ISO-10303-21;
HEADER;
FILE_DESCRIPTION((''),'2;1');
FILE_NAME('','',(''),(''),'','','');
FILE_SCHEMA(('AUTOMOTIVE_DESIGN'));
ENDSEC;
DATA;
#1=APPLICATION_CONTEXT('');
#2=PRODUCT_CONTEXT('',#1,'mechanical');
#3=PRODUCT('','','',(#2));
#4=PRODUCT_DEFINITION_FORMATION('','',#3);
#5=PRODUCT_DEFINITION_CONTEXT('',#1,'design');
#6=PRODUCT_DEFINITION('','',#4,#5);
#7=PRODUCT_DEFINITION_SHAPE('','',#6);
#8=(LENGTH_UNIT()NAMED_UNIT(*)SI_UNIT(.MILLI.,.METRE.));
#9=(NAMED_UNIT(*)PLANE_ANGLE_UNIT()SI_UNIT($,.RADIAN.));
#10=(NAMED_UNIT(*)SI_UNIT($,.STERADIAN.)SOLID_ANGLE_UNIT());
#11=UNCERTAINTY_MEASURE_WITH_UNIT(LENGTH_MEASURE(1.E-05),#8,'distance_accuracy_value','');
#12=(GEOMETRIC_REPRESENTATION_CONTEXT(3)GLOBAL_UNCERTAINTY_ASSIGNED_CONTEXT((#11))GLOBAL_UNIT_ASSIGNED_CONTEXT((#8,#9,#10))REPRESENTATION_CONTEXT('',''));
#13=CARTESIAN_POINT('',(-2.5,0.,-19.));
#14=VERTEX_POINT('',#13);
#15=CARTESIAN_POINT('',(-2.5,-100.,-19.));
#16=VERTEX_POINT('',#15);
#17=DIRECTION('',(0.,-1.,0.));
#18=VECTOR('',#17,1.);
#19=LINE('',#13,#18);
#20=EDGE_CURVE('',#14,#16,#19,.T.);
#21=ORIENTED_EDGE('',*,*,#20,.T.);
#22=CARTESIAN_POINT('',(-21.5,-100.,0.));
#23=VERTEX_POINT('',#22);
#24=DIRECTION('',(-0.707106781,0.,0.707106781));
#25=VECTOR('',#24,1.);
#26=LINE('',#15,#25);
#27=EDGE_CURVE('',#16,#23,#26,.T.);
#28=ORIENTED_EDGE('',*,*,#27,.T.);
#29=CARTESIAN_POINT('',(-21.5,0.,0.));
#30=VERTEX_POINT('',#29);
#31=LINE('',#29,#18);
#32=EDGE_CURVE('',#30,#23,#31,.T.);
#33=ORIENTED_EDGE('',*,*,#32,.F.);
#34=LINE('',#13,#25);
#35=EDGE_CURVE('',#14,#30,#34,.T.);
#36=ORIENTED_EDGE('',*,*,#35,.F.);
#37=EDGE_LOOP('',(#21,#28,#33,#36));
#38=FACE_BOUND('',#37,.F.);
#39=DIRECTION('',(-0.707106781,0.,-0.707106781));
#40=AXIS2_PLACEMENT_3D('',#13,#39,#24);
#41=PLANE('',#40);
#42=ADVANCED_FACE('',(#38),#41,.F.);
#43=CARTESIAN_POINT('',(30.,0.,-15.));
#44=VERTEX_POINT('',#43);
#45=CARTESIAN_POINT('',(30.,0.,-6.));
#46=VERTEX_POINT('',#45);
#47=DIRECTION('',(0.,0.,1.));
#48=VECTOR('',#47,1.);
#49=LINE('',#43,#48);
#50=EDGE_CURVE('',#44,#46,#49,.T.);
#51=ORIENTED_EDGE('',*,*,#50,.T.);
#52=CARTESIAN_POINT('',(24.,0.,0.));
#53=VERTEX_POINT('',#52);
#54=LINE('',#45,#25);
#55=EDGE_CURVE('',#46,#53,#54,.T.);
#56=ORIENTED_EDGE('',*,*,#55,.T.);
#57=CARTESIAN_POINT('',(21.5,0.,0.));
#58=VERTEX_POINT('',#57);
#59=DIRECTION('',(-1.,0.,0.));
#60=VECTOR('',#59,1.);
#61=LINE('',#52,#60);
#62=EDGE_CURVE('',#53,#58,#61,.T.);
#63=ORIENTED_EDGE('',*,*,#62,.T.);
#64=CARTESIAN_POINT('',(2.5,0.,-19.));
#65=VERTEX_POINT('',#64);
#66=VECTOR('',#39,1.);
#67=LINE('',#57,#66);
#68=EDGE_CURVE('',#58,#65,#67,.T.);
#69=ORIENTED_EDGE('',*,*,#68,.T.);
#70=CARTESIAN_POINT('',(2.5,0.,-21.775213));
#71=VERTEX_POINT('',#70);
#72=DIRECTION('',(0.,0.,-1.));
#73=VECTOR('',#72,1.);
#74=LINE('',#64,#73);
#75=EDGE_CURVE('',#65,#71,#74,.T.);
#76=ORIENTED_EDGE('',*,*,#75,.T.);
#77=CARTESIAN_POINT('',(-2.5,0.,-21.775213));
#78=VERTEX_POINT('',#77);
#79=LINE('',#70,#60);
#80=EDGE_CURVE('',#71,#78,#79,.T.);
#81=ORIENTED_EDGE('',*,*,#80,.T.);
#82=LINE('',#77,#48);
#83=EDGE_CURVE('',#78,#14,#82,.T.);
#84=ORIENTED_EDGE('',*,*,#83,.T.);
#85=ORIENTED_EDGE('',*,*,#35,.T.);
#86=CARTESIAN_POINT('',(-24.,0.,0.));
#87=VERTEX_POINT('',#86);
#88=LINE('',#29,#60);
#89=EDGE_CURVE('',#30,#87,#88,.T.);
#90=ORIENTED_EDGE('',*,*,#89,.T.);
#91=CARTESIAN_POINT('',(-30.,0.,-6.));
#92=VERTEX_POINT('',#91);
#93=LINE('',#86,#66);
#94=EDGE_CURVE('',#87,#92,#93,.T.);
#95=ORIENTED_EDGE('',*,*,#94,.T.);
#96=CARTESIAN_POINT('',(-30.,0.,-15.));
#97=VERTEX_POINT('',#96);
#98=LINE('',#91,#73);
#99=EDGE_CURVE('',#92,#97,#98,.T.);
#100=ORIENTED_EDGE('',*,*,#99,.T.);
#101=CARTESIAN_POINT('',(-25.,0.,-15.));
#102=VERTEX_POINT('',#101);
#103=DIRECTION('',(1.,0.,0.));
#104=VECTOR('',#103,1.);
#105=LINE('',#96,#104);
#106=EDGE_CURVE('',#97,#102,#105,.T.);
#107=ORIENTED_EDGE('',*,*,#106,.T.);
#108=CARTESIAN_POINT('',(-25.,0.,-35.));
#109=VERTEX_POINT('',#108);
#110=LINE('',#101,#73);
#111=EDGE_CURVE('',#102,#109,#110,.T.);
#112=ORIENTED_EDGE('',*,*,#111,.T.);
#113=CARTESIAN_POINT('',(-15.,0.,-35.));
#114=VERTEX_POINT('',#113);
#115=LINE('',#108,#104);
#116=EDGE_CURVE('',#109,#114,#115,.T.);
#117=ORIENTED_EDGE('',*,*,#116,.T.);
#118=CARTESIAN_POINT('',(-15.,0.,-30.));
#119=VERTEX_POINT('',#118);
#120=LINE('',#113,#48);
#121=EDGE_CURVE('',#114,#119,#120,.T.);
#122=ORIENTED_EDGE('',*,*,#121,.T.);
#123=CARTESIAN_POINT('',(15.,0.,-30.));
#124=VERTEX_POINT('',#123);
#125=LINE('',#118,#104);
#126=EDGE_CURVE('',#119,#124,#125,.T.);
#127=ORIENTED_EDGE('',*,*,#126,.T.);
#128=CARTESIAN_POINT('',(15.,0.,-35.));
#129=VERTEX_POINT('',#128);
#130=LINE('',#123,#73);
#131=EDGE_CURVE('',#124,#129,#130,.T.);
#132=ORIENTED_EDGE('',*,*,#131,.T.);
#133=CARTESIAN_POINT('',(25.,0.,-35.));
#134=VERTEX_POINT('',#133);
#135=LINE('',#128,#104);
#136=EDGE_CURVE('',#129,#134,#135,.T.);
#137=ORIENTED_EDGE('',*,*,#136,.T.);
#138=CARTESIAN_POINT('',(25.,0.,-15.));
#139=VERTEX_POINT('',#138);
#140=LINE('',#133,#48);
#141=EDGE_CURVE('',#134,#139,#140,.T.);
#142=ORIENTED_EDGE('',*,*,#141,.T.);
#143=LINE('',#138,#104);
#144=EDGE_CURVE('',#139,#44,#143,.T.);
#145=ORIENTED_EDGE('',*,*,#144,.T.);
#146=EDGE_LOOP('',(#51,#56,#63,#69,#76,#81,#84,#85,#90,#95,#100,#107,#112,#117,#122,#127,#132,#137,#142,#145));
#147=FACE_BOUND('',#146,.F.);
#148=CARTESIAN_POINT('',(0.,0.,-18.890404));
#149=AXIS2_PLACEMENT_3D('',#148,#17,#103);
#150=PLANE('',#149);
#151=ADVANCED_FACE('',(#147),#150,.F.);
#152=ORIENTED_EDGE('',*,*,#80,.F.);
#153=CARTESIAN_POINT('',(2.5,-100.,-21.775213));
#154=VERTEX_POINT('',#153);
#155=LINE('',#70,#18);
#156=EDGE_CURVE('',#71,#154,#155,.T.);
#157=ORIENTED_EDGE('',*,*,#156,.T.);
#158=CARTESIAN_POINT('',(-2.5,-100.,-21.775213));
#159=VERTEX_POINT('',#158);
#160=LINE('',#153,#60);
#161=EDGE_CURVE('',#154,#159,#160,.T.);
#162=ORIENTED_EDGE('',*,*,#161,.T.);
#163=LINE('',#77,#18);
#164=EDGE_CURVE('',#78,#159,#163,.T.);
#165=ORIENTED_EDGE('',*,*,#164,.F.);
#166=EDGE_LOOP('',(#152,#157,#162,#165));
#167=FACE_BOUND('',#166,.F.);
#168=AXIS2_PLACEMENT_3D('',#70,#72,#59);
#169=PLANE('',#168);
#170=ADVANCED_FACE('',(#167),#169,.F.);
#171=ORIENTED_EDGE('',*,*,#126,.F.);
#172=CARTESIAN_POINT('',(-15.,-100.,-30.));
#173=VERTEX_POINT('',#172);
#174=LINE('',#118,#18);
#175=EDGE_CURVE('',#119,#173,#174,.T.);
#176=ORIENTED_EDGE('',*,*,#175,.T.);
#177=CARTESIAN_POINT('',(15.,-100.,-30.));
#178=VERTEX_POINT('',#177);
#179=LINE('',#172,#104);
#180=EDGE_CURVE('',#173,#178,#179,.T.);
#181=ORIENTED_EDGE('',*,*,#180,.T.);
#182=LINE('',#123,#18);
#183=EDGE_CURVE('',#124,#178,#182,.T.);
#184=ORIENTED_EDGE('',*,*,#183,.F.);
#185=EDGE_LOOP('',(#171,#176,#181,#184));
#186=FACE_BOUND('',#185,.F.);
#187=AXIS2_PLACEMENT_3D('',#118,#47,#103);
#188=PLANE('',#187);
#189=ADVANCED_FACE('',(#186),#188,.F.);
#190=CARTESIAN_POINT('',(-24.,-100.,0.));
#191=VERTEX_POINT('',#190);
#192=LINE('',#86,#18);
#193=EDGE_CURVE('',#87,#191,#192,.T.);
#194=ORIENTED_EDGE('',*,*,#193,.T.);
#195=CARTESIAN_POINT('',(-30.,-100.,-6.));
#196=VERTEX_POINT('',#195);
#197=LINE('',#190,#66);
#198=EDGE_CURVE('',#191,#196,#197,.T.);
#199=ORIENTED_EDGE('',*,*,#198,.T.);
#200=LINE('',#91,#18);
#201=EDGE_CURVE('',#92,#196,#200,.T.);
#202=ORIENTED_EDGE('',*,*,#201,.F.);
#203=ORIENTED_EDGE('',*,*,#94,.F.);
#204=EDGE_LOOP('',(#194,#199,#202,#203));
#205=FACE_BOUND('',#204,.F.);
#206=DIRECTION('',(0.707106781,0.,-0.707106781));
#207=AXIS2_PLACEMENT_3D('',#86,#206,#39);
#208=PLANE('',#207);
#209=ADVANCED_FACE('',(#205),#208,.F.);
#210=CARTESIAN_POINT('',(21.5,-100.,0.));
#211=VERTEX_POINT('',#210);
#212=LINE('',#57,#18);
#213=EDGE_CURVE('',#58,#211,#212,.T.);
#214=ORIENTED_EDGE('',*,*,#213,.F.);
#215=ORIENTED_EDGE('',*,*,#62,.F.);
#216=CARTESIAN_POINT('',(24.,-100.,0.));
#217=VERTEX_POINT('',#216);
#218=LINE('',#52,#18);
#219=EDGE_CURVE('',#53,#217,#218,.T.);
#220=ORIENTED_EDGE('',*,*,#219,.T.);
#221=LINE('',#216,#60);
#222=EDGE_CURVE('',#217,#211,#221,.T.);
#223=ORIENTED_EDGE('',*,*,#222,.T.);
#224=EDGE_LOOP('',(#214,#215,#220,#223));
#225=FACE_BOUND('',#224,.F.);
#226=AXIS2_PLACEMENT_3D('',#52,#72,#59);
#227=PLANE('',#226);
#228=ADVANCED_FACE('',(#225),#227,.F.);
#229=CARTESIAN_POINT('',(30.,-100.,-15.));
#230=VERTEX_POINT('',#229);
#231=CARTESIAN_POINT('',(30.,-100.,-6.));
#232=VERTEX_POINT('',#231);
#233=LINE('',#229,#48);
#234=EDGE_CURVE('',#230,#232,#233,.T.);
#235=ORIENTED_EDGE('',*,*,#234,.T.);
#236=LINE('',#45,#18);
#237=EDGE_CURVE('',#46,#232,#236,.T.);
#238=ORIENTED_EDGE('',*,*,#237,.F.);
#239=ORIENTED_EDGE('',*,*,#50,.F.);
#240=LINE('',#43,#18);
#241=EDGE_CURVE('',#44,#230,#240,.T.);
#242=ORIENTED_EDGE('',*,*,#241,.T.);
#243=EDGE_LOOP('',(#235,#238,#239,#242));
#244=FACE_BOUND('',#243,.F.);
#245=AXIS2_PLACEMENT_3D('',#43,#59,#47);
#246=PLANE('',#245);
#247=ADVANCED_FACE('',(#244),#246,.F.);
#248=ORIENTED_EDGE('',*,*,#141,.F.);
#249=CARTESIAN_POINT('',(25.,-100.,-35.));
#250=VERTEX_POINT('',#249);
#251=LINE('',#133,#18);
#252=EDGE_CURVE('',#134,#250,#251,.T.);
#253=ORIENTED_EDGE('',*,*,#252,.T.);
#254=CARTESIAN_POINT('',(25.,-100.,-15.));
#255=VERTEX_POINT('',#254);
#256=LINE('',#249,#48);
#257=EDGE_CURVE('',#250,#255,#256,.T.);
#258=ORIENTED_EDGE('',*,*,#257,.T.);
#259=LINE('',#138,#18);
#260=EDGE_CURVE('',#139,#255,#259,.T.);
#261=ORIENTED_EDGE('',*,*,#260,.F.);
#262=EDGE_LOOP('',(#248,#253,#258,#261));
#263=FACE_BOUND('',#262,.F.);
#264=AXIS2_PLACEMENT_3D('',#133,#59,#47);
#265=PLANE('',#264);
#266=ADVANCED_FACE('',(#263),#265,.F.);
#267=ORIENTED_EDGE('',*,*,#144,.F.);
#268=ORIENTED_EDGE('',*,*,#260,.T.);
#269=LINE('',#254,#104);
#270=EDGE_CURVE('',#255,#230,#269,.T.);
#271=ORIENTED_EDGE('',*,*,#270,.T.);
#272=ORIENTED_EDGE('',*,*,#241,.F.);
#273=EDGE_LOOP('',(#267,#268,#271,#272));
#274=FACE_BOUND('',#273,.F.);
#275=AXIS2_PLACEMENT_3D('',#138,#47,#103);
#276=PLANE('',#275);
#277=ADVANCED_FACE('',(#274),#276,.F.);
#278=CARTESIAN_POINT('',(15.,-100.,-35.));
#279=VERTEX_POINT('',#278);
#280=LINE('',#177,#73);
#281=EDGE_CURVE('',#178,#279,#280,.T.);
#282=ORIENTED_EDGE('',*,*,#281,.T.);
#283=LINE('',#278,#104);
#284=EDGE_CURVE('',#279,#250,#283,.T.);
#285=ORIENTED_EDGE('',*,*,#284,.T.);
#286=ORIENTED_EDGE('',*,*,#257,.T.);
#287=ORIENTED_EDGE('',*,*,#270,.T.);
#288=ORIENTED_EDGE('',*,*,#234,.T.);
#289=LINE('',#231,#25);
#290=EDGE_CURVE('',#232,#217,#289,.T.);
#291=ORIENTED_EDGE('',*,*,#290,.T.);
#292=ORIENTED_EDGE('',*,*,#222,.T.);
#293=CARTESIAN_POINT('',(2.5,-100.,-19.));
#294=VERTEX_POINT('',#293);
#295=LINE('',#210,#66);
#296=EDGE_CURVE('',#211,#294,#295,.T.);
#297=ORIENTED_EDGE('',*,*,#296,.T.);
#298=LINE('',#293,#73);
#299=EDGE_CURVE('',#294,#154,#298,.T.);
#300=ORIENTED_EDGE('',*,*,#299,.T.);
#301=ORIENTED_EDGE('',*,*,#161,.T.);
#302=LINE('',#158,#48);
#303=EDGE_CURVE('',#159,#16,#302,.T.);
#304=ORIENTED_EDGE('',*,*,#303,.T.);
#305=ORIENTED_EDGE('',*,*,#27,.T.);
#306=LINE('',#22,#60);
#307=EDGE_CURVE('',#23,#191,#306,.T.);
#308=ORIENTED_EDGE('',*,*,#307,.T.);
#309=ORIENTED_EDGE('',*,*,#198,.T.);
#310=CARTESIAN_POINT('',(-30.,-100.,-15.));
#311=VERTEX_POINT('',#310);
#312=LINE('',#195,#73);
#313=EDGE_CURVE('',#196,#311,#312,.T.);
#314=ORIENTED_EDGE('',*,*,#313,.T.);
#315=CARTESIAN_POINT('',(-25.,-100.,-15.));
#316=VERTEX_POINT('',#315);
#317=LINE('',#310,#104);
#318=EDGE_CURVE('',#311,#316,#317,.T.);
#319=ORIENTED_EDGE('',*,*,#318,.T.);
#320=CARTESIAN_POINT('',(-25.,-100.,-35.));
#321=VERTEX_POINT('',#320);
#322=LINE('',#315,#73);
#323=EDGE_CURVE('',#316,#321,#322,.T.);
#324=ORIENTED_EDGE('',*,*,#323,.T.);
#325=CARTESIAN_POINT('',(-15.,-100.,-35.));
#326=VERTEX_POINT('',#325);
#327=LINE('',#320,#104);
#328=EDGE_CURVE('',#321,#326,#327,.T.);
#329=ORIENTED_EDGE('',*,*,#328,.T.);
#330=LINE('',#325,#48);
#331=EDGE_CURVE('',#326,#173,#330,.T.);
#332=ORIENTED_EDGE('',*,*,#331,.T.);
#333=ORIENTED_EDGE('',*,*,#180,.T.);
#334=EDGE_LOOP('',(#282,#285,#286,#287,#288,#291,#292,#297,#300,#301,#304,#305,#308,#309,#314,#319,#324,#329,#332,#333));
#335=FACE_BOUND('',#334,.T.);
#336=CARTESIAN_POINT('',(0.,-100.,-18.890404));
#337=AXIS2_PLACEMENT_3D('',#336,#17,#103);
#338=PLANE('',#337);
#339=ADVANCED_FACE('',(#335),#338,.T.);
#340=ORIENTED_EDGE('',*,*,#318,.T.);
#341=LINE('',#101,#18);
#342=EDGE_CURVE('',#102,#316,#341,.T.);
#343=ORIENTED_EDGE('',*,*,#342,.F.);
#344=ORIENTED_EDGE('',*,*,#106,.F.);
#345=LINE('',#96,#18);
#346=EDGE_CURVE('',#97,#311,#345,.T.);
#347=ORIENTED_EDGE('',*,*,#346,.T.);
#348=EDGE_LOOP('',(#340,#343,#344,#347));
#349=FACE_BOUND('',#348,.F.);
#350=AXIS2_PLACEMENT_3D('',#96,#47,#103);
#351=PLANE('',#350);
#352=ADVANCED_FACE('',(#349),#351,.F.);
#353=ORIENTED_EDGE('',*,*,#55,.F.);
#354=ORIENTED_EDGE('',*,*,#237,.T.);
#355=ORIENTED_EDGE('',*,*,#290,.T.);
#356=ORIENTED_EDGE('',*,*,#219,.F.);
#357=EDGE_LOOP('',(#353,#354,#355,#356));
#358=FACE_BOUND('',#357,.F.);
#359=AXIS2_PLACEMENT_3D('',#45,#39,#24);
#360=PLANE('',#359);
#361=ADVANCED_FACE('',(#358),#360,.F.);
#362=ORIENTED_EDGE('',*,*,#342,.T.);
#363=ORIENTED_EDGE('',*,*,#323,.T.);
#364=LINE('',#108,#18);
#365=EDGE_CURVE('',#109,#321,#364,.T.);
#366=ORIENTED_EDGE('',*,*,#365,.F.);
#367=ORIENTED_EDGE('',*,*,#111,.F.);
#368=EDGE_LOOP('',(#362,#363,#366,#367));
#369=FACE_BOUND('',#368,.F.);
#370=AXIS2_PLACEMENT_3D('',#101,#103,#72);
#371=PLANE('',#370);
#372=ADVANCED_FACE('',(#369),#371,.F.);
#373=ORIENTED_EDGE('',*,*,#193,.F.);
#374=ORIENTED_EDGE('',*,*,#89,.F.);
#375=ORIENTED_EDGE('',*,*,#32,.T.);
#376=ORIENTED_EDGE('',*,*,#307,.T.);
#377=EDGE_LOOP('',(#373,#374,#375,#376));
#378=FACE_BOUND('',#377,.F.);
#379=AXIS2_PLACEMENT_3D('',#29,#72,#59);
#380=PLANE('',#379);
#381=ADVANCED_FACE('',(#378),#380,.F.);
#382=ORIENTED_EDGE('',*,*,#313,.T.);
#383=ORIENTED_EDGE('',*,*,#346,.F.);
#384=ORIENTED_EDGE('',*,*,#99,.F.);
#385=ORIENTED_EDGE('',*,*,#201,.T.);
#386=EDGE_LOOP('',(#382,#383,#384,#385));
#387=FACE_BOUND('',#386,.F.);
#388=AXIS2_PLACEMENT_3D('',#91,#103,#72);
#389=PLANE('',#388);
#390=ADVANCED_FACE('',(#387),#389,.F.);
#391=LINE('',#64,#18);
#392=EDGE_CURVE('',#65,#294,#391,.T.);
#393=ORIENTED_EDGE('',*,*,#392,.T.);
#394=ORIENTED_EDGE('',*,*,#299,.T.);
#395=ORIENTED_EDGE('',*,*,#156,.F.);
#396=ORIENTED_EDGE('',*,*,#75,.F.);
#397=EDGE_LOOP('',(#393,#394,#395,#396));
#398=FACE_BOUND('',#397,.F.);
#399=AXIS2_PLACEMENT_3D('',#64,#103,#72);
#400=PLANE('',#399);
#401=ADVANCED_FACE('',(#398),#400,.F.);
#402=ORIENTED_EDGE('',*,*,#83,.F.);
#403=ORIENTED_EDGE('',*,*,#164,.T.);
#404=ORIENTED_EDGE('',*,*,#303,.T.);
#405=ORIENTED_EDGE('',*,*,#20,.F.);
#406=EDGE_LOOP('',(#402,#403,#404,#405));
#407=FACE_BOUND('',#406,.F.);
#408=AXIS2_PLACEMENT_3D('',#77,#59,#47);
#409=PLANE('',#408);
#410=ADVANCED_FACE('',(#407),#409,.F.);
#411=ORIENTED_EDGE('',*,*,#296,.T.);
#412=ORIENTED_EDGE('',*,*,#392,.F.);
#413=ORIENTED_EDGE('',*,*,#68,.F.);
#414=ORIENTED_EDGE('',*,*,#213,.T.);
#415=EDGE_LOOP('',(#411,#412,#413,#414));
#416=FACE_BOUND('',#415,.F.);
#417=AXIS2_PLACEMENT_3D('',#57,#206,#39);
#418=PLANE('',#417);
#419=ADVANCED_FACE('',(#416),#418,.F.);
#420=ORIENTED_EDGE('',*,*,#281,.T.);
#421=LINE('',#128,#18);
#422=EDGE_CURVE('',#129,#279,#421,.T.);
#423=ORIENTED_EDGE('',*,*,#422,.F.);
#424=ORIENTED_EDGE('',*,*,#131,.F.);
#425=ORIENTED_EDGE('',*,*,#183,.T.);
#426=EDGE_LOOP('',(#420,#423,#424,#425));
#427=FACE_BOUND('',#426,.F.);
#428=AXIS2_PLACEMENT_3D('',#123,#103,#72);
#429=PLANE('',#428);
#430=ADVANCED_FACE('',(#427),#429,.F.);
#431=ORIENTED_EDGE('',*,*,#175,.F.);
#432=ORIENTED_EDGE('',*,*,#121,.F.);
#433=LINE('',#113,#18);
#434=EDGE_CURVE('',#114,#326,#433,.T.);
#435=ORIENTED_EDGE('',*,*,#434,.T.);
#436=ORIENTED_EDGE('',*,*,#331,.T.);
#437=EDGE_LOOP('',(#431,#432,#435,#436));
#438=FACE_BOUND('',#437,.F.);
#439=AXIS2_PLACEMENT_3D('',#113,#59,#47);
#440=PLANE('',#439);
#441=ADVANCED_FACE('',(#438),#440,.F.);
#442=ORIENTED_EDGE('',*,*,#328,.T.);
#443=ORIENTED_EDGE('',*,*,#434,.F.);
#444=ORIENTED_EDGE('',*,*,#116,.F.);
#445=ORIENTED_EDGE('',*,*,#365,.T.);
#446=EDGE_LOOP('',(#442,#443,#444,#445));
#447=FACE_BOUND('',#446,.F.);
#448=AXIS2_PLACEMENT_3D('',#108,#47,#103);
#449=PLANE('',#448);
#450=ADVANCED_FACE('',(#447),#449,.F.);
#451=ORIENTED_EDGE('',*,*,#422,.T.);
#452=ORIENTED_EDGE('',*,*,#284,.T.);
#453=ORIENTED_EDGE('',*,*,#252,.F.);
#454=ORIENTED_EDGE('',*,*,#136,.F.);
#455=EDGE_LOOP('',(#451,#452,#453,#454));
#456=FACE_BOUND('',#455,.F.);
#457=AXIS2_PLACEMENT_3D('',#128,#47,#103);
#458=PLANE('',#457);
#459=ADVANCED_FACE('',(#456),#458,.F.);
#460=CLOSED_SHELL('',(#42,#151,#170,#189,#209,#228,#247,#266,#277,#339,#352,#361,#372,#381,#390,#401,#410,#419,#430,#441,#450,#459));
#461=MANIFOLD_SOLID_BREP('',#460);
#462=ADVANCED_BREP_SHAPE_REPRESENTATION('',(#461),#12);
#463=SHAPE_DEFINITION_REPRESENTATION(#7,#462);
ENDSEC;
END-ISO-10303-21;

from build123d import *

# Parameters (mm, degrees)
F1_DEPTH = 100


with BuildPart() as f1:
    # F0 (on Front) → F1 (new body)
    with BuildSketch(Plane.XZ):
        Polygon((-15, -30), (0, -30), (15, -30), (15, -35), (25, -35), (25, -15), (30, -15), (30, -6), (24, 0), (21.5, 0), (2.5, -19), (2.5, -21.775213), (0, -21.775213), (-2.5, -21.775213), (-2.5, -19), (-21.5, 0), (-24, 0), (-30, -6), (-30, -15), (-25, -15), (-25, -35), (-15, -35), align=None)
    extrude(amount=F1_DEPTH)


solid = f1.part
